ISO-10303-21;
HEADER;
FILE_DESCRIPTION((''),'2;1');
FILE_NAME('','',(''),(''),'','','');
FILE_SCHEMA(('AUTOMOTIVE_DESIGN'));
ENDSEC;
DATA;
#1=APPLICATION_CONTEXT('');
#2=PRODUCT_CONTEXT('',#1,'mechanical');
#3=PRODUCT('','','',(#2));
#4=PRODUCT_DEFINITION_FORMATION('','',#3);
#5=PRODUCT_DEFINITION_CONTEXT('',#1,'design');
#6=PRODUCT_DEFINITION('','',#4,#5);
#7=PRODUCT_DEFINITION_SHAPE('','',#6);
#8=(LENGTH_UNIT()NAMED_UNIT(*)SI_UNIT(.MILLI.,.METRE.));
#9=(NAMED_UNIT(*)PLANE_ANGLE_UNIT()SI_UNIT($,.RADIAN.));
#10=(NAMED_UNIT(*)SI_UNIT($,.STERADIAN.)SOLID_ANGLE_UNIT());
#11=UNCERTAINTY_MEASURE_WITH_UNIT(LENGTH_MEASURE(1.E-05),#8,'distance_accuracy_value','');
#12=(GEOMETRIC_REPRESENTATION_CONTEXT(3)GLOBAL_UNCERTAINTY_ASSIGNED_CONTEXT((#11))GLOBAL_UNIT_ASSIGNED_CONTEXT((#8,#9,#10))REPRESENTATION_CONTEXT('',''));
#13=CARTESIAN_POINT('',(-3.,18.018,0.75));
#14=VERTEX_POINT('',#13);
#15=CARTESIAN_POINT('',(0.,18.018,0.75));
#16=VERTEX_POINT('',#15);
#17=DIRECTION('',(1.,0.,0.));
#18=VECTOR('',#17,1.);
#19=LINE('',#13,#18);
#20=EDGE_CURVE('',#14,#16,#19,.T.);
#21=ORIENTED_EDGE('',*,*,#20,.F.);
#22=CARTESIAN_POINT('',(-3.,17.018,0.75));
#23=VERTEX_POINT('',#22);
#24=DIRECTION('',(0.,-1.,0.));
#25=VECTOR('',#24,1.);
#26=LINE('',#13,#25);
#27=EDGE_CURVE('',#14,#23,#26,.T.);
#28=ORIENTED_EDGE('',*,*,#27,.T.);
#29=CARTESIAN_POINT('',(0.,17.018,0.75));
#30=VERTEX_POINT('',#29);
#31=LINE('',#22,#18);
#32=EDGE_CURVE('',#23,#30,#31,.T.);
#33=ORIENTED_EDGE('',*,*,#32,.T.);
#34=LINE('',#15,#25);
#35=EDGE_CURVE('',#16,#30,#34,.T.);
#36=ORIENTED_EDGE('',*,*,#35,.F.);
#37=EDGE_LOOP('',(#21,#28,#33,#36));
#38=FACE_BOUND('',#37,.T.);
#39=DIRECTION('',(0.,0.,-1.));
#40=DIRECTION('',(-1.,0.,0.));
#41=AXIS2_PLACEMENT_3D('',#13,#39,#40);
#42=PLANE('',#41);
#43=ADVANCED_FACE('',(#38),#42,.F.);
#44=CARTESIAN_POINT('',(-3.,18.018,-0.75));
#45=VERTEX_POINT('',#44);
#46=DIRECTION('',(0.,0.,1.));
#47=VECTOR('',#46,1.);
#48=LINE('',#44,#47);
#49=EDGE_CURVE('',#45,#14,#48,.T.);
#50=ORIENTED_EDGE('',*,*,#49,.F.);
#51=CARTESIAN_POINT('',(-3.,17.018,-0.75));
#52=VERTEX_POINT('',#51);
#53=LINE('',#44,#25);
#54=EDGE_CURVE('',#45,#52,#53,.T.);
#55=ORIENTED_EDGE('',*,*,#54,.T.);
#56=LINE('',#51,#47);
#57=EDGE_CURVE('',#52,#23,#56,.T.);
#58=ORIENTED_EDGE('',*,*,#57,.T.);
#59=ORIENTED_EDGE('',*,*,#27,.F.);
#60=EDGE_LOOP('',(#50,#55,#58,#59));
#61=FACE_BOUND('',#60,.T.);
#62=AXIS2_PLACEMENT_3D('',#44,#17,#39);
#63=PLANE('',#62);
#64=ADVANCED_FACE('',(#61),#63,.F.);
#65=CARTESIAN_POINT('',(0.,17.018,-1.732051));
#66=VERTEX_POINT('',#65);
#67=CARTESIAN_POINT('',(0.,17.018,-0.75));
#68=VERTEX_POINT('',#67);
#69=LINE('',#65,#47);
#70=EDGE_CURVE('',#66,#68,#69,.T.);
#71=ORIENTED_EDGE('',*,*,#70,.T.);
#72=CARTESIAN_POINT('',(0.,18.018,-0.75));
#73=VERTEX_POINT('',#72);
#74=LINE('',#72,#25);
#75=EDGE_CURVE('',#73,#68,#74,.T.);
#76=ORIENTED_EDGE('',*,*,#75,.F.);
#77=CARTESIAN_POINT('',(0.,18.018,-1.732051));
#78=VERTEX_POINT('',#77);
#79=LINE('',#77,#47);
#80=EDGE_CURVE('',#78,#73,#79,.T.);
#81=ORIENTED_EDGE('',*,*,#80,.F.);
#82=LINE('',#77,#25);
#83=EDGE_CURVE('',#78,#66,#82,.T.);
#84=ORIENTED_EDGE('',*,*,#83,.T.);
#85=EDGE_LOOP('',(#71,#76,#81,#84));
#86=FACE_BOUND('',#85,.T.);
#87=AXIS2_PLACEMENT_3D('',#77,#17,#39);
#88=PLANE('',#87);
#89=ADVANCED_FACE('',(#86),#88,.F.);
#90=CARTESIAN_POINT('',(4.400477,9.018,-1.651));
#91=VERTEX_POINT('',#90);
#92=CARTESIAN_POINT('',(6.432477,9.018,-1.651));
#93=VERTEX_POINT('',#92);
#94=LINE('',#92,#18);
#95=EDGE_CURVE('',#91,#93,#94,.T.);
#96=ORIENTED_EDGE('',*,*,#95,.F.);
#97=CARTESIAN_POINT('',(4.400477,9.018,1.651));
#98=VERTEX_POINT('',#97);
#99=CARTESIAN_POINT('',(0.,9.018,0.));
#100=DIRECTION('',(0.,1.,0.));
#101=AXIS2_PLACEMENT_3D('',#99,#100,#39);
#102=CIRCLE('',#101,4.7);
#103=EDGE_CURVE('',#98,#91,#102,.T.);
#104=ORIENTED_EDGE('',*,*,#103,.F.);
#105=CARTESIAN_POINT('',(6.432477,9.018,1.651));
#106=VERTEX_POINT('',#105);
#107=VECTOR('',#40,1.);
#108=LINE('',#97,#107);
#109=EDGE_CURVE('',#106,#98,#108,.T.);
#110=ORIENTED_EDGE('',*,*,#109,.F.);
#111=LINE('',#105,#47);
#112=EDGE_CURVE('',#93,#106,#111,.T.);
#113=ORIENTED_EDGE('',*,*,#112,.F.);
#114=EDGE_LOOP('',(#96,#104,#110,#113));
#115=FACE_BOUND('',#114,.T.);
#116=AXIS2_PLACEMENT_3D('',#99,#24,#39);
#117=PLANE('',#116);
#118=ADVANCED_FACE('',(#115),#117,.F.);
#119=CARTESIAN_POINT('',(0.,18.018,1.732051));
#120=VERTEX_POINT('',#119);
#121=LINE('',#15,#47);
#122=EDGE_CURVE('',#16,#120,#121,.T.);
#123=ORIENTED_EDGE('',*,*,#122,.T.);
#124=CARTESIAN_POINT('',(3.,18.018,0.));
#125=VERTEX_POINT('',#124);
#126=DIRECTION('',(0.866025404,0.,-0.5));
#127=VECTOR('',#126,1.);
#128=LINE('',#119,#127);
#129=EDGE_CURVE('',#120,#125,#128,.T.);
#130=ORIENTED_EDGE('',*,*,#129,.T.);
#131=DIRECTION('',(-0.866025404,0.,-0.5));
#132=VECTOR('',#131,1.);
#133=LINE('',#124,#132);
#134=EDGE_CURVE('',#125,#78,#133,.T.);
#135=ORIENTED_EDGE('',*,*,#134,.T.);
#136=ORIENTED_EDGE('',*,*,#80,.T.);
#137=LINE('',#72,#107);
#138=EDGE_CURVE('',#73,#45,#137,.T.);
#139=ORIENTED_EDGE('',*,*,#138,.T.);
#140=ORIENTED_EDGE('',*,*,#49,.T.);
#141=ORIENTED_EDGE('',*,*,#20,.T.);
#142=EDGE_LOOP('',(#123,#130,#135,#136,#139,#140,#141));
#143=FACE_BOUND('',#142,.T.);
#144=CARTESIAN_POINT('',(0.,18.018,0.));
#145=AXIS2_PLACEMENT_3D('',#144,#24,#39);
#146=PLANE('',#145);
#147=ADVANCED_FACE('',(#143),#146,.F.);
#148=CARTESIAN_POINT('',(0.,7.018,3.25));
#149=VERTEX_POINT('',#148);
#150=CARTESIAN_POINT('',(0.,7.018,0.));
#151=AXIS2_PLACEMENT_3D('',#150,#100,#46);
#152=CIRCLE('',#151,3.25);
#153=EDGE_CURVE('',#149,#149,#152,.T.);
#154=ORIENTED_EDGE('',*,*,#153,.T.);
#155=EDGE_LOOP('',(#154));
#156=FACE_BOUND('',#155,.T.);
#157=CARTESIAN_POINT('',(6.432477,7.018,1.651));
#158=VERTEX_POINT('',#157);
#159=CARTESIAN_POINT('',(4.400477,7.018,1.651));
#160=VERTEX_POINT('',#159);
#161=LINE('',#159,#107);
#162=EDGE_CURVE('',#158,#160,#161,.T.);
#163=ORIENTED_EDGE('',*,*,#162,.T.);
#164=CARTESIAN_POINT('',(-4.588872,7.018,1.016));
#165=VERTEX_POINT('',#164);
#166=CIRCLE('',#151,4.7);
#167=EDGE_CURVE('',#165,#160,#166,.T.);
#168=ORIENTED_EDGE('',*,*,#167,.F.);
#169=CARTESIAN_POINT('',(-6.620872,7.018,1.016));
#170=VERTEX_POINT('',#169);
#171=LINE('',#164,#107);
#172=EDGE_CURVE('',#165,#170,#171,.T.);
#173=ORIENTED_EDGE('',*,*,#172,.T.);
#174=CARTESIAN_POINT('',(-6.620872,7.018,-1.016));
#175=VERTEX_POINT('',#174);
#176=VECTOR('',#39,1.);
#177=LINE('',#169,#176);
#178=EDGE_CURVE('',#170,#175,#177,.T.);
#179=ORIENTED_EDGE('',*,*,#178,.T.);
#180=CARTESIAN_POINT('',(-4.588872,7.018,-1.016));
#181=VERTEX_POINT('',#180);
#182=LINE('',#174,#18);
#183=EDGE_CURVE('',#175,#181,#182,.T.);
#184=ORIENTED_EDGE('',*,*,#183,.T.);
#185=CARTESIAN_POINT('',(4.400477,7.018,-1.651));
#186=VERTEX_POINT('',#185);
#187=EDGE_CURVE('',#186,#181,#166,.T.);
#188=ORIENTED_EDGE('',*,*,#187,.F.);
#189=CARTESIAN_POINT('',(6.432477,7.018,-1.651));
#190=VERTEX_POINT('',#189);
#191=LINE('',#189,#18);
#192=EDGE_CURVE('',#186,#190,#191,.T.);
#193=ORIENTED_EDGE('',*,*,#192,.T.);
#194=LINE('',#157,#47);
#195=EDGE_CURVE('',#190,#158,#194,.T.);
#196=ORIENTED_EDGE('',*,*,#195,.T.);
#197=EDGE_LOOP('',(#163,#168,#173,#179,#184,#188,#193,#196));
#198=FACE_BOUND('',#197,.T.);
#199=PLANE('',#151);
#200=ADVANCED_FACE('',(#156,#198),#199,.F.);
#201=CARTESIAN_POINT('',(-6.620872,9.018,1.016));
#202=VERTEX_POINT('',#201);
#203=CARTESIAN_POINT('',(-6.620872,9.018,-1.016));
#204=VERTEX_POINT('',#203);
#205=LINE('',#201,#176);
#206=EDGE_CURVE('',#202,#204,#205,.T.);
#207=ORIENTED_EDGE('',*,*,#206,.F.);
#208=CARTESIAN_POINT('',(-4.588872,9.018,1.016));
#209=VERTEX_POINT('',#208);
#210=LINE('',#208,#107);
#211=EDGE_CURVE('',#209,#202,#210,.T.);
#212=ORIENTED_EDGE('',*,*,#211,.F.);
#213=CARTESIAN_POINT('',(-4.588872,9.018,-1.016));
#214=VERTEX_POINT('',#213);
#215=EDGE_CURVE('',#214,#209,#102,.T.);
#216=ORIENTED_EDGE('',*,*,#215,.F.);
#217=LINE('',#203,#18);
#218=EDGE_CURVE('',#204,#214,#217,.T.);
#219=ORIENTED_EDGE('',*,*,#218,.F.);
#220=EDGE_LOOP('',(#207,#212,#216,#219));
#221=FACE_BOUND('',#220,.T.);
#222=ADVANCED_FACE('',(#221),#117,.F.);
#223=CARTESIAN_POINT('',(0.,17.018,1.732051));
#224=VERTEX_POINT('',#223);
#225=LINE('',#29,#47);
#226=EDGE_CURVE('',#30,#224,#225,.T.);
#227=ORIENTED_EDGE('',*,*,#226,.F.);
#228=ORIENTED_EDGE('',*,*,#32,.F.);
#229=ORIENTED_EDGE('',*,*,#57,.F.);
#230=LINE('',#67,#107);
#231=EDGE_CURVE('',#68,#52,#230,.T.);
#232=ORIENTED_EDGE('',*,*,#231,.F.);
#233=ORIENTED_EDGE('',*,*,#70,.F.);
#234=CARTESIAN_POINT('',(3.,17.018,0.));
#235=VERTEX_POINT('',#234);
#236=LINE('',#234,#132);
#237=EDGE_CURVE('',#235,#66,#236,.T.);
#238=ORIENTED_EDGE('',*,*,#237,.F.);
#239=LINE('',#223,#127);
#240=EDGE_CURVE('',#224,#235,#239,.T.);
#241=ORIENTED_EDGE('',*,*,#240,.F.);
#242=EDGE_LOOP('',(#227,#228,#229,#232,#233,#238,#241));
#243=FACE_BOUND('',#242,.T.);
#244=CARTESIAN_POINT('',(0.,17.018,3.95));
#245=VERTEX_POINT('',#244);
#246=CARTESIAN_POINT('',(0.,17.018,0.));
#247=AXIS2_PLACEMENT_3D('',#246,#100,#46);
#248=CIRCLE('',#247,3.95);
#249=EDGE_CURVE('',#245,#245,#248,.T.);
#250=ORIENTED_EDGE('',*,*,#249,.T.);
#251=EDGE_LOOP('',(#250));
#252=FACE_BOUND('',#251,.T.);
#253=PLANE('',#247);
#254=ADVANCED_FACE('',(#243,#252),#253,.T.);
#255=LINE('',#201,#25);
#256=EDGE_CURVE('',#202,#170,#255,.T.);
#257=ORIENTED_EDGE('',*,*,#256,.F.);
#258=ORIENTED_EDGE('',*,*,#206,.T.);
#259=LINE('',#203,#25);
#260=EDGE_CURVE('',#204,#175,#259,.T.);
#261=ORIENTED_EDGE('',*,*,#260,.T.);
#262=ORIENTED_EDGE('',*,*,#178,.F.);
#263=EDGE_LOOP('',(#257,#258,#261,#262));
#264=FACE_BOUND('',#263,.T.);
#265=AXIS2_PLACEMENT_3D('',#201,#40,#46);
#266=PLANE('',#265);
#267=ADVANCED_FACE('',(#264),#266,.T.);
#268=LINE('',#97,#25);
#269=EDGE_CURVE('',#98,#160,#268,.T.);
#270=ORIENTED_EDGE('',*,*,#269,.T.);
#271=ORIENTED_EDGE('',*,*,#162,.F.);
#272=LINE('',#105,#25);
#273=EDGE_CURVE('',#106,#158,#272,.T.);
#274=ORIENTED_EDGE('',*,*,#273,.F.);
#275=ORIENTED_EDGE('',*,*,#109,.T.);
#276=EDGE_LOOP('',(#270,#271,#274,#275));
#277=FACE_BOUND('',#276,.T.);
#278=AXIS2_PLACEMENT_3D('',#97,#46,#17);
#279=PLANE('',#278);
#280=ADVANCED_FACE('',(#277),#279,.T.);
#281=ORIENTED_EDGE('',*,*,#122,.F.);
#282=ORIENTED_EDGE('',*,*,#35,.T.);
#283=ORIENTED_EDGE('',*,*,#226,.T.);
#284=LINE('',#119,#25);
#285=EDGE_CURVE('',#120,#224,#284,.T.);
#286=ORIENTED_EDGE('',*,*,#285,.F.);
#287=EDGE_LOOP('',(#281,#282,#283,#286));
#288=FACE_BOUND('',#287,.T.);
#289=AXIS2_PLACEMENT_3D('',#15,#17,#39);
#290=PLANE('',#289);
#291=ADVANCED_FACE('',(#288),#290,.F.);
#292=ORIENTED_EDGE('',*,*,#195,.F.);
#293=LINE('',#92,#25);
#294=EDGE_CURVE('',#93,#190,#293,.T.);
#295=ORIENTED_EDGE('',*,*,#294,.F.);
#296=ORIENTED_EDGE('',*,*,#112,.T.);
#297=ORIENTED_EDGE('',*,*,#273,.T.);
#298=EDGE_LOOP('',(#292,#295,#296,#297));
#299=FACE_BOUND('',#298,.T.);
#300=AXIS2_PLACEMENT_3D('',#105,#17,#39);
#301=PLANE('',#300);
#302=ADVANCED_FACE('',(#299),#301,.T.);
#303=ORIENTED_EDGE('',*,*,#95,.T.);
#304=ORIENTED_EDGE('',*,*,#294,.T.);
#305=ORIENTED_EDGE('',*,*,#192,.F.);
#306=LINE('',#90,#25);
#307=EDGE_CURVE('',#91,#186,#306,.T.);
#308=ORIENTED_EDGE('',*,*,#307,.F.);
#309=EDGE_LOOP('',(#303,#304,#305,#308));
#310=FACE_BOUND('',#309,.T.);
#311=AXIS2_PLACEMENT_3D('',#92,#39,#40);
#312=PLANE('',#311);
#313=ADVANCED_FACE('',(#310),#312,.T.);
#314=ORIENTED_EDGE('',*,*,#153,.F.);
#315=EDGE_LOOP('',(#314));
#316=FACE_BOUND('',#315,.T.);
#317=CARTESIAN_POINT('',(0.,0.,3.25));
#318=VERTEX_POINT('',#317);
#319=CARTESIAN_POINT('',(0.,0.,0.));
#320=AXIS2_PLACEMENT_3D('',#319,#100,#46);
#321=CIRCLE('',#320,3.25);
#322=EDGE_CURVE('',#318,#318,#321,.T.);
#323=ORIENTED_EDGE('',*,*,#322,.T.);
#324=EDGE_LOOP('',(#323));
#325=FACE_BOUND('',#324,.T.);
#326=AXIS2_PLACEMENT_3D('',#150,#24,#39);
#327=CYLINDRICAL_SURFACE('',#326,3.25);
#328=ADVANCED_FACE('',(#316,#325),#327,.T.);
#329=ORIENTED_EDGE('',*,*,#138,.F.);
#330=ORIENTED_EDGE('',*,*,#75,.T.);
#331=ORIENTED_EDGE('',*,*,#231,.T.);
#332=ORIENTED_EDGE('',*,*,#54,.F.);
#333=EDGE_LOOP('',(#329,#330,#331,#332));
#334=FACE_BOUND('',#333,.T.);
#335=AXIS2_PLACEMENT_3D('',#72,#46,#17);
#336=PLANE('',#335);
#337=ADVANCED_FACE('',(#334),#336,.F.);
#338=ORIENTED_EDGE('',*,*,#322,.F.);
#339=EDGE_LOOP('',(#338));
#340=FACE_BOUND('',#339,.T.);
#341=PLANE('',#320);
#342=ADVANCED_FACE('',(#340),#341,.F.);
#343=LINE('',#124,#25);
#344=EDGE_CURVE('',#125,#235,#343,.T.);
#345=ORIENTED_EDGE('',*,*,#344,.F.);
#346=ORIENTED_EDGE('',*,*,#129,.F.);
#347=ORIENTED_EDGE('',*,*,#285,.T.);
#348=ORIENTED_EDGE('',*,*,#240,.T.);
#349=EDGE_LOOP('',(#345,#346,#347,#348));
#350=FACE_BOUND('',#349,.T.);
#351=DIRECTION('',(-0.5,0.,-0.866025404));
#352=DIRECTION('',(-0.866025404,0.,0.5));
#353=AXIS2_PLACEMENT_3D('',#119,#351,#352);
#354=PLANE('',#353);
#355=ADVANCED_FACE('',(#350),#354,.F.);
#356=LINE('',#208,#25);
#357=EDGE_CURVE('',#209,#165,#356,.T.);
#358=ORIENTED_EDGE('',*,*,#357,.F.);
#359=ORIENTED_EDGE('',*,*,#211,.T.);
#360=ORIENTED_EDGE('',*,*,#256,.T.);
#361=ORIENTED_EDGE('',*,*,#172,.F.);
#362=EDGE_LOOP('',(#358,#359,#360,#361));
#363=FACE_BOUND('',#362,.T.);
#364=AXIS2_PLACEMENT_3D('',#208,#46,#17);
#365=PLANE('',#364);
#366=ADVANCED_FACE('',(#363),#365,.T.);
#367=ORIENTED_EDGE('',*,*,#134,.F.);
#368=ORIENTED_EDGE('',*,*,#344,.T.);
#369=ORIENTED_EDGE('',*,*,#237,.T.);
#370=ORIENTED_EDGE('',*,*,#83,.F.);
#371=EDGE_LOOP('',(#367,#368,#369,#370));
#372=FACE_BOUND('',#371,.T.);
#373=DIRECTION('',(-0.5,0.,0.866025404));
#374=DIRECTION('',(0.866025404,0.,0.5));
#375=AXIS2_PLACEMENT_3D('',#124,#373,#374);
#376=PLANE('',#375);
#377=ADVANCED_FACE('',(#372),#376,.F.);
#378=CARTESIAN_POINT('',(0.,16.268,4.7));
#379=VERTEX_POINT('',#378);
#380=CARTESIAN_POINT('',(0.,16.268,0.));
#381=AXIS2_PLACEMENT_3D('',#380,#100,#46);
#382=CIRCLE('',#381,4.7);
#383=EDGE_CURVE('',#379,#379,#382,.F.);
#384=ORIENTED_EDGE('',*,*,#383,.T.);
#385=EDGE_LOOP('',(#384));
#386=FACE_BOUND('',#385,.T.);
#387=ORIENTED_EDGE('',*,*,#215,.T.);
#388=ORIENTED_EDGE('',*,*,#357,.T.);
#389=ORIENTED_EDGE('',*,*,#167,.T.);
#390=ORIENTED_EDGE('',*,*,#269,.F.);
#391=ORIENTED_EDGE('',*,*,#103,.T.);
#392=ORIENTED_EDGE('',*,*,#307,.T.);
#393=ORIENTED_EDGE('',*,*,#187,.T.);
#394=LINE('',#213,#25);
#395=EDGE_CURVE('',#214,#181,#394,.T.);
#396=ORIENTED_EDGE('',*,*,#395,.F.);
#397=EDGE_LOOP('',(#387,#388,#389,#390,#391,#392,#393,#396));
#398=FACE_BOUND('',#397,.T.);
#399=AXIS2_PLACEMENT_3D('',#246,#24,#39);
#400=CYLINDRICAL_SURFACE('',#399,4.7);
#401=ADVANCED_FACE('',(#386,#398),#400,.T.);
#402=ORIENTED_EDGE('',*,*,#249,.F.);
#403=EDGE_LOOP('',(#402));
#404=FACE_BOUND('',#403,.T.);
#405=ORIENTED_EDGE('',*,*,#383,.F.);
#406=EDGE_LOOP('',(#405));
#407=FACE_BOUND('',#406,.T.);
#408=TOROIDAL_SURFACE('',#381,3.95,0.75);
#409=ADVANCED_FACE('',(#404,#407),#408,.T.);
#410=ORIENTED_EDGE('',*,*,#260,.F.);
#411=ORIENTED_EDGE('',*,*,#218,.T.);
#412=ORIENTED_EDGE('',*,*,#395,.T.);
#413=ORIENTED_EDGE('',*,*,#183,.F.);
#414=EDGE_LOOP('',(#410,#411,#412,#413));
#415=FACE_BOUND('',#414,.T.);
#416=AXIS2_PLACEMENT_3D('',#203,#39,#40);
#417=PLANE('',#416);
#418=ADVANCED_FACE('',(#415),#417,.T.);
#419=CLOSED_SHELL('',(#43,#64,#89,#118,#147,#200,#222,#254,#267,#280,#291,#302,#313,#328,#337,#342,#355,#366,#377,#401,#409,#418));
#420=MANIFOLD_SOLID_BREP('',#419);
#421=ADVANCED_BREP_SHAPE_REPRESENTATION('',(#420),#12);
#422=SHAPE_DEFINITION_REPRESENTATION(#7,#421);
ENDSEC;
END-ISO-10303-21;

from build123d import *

# Parameters (mm, degrees)
SKETCH1_R           = 3.25
BOSS_EXTRUDE1_DEPTH = 7.018
SKETCH6_R           = 4.7
BOSS_EXTRUDE2_DEPTH = 10
FILLET1_R           = 0.75
BOSS_EXTRUDE3_DEPTH = 1
BOSS_EXTRUDE4_DEPTH = 2


with BuildPart() as part:
    # Sketch1 → Boss-Extrude1 (new body)
    with BuildSketch(Plane(origin=(0, 0, 0), x_dir=(1, 0, 0), z_dir=(0, 1, 0))):
        Circle(SKETCH1_R)
    extrude(amount=BOSS_EXTRUDE1_DEPTH)

    # Sketch6 → Boss-Extrude2 (add)
    with BuildSketch(Plane(origin=(0, 7.018, 0), x_dir=(1, 0, 0), z_dir=(0, 1, 0))):
        Circle(SKETCH6_R)
    extrude(amount=BOSS_EXTRUDE2_DEPTH)

    # Fillet1
    fillet1_edges = [part.edges().sort_by_distance(p)[0] for p in [
        (-4.7, 17.018, 0),
    ]]
    fillet(fillet1_edges, radius=FILLET1_R)

    # Sketch8 → Boss-Extrude3 (add)
    with BuildSketch(Plane(origin=(0, 17.018, 0), x_dir=(1, 0, 0), z_dir=(0, 1, 0))):
        Polygon((0, 0.75), (-3, 0.75), (-3, -0.75), (0, -0.75), (0, -1.732050808), (3, 0), (0, 1.732050808), align=None)
    extrude(amount=BOSS_EXTRUDE3_DEPTH)

    # Sketch9 → Boss-Extrude4 (add)
    with BuildSketch(Plane.XZ.offset(-7.018)):
        with BuildLine():
            Line((-4.588871757, 1.016), (-6.620871757, 1.016))
            Line((-6.620871757, 1.016), (-6.620871757, -1.016))
            Line((-6.620871757, -1.016), (-4.588871757, -1.016))
            ThreePointArc((-4.588871757, -1.016), (-4.7, 0), (-4.588871757, 1.016))
        make_face()
        with BuildLine():
            Line((4.400477133, 1.651), (6.432477133, 1.651))
            Line((6.432477133, 1.651), (6.432477133, -1.651))
            Line((6.432477133, -1.651), (4.400477133, -1.651))
            ThreePointArc((4.400477133, -1.651), (4.7, 0), (4.400477133, 1.651))
        make_face()
    extrude(amount=-BOSS_EXTRUDE4_DEPTH)


solid = part.part
